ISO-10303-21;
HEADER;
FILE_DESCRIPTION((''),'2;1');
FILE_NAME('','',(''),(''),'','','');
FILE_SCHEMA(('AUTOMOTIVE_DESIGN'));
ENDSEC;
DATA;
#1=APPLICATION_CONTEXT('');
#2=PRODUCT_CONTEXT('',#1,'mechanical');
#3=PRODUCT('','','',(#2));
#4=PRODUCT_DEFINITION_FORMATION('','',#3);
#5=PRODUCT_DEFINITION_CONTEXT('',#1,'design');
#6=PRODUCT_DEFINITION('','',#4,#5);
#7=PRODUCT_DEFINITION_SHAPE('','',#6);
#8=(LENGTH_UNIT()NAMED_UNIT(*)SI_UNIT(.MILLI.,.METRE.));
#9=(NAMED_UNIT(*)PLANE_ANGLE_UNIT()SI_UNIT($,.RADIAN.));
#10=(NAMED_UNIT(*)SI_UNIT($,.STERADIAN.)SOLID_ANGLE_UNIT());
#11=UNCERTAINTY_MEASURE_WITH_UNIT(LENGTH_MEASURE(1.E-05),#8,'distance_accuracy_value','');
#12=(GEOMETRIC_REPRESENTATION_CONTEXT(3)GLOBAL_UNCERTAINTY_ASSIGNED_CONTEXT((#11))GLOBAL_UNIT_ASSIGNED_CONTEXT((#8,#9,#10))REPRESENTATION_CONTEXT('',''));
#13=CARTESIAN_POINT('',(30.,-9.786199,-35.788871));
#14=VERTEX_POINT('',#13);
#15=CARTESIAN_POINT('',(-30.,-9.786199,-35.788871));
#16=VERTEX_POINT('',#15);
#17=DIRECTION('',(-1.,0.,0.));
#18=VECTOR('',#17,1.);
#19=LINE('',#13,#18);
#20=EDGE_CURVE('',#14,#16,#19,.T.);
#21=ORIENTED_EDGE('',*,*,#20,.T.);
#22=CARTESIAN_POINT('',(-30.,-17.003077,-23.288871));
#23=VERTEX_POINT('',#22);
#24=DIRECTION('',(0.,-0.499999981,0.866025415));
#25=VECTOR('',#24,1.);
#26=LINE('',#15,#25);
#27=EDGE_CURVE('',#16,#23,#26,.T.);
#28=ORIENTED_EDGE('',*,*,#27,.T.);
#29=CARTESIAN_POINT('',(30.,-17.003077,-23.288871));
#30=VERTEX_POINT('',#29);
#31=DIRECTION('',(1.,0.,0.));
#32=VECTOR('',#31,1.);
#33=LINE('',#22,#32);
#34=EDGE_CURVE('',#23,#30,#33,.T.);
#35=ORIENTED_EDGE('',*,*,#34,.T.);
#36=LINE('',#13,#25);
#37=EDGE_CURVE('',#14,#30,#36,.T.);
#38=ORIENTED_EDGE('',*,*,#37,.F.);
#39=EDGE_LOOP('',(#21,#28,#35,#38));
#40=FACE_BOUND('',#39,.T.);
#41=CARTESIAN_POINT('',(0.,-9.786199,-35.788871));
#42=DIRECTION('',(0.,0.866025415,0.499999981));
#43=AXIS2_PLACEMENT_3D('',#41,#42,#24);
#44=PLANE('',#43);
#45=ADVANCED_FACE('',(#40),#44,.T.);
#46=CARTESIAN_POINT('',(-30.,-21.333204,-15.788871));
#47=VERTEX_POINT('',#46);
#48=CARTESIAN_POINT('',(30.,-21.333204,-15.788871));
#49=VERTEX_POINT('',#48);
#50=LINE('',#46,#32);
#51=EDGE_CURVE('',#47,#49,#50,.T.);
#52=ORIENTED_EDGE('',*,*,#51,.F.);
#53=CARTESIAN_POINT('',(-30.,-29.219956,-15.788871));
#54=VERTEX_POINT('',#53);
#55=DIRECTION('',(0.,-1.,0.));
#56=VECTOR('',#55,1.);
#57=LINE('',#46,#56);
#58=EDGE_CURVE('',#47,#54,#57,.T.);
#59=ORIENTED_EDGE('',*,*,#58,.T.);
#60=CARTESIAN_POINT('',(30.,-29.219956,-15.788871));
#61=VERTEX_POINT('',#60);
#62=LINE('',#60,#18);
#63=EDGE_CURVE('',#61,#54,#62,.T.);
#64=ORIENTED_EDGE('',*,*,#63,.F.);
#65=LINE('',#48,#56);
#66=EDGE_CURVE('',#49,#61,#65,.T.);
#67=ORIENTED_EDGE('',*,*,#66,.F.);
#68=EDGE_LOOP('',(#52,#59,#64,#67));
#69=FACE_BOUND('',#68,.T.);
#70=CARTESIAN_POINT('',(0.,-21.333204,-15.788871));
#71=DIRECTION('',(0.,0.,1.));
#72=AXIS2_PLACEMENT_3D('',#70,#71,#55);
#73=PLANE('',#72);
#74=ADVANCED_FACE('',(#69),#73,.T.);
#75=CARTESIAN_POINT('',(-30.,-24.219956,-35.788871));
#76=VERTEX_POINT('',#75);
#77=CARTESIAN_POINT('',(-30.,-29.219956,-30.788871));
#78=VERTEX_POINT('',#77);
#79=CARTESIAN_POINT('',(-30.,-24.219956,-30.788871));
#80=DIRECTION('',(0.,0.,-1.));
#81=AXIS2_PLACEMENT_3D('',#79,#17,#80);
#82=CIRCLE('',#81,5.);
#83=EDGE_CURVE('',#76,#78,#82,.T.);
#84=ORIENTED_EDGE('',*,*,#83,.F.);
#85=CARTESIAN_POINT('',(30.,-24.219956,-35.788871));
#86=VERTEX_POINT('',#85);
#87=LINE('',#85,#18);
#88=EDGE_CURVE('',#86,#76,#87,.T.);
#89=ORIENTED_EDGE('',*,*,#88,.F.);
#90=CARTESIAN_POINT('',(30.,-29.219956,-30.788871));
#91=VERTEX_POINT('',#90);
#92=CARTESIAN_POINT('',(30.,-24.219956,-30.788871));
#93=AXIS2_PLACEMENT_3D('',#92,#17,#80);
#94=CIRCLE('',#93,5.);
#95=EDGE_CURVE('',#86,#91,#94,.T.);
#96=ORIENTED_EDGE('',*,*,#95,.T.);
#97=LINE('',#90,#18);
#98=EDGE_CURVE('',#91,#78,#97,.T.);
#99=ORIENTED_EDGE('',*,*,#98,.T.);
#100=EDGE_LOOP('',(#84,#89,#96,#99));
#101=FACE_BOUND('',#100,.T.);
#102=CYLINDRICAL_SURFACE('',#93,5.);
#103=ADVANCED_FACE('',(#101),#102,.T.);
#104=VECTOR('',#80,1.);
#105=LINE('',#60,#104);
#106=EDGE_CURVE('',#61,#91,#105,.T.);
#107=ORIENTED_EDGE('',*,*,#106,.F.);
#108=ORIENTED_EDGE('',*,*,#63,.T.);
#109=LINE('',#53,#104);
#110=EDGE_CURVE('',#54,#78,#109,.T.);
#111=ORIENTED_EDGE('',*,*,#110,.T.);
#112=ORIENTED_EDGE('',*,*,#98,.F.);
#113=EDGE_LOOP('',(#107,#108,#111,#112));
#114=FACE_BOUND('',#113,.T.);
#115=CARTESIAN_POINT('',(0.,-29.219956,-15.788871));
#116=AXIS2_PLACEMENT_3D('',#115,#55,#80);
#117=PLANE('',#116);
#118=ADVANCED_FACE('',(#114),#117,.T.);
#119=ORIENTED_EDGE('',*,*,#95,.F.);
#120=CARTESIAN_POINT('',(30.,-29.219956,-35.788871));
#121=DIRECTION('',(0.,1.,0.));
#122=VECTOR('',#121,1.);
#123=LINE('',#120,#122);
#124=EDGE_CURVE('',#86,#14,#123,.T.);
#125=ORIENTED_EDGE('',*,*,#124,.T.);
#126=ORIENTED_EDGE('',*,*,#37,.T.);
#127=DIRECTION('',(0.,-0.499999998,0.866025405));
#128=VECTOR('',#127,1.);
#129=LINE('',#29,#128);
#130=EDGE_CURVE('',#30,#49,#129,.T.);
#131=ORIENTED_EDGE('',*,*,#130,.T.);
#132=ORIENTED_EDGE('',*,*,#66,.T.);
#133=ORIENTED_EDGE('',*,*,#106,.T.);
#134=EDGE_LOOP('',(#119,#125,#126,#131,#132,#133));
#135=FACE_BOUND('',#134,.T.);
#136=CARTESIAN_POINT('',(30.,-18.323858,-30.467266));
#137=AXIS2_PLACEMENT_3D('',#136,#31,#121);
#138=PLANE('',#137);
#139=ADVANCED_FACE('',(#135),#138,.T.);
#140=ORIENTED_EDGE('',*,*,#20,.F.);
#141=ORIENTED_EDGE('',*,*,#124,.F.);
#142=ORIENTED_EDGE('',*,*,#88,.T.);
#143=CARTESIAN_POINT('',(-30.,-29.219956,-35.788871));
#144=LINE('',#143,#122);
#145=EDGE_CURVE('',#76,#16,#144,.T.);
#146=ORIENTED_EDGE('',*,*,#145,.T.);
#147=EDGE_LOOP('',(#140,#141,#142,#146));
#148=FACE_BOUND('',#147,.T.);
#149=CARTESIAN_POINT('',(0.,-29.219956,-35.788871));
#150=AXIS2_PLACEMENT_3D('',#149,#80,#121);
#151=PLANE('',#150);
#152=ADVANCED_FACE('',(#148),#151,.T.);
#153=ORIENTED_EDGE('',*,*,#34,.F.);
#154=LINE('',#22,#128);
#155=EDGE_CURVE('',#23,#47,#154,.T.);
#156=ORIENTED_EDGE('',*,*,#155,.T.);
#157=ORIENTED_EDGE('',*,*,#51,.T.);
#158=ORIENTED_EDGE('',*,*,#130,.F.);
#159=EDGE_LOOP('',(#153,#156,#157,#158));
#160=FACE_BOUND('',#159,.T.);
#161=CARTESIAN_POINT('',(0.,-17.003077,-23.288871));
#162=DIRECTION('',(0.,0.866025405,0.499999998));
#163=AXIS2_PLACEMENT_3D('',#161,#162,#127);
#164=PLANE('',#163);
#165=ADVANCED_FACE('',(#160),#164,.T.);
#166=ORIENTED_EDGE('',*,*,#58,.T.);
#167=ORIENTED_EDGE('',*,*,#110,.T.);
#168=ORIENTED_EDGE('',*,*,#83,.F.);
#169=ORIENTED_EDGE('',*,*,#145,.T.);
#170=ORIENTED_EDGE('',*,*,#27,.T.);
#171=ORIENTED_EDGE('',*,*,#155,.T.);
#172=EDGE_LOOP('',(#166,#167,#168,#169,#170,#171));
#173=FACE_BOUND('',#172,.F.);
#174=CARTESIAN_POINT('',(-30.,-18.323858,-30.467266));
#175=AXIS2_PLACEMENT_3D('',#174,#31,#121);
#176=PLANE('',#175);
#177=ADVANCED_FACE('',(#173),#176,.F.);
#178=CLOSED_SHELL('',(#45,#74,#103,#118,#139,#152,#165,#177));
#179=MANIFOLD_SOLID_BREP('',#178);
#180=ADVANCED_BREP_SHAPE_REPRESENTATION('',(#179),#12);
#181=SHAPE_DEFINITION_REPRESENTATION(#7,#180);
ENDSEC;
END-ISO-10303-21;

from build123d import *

# Parameters (mm, degrees)
F1_DEPTH = 30
F2_R     = 5


with BuildPart() as f1:
    # F0 (on Right) → F1 (new body, symmetric)
    with BuildSketch(Plane.YZ):
        Polygon((-9.786199, -35.788871), (-17.003077, -23.288871), (-24.219956, -23.288871), (-24.219956, -35.788871), align=None)
        Polygon((-24.219956, -23.288871), (-17.003077, -23.288871), (-21.333204, -15.788871), (-24.219956, -15.788871), align=None)
        Polygon((-24.219956, -35.788871), (-24.219956, -23.288871), (-24.219956, -15.788871), (-29.219956, -15.788871), (-29.219956, -35.788871), align=None)
    extrude(amount=F1_DEPTH, both=True)

    # F2
    f2_edges = [f1.edges().sort_by_distance(p)[0] for p in [
        (0, -29.219956, -35.788871),
    ]]
    fillet(f2_edges, radius=F2_R)


solid = f1.part
